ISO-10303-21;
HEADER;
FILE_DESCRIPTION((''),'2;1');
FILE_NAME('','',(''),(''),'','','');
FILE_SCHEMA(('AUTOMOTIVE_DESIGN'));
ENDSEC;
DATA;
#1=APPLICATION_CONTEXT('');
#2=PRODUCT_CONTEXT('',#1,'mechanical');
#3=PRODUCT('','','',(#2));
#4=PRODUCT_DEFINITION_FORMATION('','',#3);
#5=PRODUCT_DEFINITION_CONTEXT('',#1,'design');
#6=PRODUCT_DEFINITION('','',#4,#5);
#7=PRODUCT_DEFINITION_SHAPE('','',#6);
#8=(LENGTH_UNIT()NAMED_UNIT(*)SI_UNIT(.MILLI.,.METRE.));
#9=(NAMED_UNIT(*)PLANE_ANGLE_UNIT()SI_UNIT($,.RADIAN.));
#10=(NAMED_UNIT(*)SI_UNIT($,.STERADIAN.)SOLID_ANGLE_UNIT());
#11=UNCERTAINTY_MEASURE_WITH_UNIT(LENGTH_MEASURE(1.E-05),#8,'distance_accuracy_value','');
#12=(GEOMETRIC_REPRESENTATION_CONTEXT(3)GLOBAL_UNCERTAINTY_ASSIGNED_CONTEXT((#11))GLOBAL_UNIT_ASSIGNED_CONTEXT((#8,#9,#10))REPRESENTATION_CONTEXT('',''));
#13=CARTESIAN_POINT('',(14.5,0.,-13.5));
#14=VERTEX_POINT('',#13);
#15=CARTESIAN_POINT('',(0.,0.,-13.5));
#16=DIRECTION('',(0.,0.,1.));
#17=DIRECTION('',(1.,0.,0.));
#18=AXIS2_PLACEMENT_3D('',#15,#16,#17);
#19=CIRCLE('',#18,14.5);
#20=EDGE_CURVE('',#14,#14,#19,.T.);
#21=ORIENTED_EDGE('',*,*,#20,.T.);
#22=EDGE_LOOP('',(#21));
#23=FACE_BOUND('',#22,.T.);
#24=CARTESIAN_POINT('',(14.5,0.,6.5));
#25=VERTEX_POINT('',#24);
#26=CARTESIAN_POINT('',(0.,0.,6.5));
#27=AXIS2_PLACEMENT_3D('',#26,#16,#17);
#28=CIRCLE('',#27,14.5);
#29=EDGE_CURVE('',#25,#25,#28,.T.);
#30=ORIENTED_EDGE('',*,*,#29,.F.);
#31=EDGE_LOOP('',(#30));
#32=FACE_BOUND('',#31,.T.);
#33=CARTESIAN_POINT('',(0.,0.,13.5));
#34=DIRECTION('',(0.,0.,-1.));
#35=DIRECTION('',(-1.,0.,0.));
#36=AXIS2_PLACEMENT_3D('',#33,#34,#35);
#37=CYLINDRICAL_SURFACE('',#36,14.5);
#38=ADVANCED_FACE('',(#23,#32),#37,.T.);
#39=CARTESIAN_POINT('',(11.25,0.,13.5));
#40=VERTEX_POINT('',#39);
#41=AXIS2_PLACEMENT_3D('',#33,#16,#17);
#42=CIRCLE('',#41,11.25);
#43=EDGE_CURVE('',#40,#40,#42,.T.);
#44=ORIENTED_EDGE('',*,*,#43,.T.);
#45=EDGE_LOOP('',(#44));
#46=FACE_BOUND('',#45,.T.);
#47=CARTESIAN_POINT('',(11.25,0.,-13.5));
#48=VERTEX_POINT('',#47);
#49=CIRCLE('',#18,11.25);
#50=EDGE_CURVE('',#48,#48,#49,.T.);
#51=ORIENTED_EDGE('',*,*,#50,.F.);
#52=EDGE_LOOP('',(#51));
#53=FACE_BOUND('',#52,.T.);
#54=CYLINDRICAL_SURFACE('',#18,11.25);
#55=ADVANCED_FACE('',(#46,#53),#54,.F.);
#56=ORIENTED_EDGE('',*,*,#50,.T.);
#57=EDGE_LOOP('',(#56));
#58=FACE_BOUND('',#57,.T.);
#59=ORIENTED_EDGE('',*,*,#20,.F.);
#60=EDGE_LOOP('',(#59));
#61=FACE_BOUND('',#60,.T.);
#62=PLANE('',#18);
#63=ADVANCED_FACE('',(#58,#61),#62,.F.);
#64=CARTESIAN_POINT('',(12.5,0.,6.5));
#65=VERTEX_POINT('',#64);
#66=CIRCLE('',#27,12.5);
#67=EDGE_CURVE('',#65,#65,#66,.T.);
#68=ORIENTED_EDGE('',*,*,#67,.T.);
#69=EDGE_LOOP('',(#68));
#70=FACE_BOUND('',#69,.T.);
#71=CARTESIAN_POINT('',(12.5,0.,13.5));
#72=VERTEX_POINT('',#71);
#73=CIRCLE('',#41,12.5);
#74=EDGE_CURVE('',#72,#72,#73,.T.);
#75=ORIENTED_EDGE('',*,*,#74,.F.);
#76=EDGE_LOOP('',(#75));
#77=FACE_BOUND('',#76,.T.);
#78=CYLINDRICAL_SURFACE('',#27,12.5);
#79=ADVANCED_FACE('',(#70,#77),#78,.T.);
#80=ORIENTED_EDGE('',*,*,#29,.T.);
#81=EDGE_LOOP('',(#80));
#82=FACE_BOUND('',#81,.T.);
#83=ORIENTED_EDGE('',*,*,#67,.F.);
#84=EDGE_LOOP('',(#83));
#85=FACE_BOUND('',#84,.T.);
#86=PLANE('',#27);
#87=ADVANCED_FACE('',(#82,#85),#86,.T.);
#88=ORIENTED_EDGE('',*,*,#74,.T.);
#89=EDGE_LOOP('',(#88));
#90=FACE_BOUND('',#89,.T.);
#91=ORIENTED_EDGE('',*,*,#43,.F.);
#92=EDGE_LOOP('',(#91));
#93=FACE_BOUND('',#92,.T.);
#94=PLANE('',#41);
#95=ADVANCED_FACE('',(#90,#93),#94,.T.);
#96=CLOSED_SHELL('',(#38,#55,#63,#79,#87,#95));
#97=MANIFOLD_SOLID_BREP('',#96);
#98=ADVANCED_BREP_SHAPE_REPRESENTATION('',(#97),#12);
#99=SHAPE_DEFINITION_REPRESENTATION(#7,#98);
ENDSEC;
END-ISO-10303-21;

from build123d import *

# Parameters (mm, degrees)
SKETCH1_R           = 14.5
BOSS_EXTRUDE1_DEPTH = 13.5
SKETCH2_OUTSIDE_W   = 40.82
SKETCH2_OUTSIDE_H   = 40.82
SKETCH2_OUTSIDE_R   = 12.5
CUT_EXTRUDE1_DEPTH  = 7
SKETCH3_R           = 11.25
CUT_EXTRUDE2_DEPTH  = 34.904277016


with BuildPart() as part:
    # Sketch1 → Boss-Extrude1 (new, symmetric)
    with BuildSketch(Plane.XY):
        Circle(SKETCH1_R)
    extrude(amount=BOSS_EXTRUDE1_DEPTH, both=True)

    # Sketch2 outside → Cut-Extrude1 (cut)
    with BuildSketch(Plane.XY.offset(13.5)):
        Rectangle(SKETCH2_OUTSIDE_W, SKETCH2_OUTSIDE_H)
        Circle(SKETCH2_OUTSIDE_R, mode=Mode.SUBTRACT)
    extrude(amount=-CUT_EXTRUDE1_DEPTH, mode=Mode.SUBTRACT)

    # Sketch3 → Cut-Extrude2 (cut, through all)
    with BuildSketch(Plane.XY.offset(13.5)):
        Circle(SKETCH3_R)
    extrude(amount=-CUT_EXTRUDE2_DEPTH, mode=Mode.SUBTRACT)


solid = part.part
